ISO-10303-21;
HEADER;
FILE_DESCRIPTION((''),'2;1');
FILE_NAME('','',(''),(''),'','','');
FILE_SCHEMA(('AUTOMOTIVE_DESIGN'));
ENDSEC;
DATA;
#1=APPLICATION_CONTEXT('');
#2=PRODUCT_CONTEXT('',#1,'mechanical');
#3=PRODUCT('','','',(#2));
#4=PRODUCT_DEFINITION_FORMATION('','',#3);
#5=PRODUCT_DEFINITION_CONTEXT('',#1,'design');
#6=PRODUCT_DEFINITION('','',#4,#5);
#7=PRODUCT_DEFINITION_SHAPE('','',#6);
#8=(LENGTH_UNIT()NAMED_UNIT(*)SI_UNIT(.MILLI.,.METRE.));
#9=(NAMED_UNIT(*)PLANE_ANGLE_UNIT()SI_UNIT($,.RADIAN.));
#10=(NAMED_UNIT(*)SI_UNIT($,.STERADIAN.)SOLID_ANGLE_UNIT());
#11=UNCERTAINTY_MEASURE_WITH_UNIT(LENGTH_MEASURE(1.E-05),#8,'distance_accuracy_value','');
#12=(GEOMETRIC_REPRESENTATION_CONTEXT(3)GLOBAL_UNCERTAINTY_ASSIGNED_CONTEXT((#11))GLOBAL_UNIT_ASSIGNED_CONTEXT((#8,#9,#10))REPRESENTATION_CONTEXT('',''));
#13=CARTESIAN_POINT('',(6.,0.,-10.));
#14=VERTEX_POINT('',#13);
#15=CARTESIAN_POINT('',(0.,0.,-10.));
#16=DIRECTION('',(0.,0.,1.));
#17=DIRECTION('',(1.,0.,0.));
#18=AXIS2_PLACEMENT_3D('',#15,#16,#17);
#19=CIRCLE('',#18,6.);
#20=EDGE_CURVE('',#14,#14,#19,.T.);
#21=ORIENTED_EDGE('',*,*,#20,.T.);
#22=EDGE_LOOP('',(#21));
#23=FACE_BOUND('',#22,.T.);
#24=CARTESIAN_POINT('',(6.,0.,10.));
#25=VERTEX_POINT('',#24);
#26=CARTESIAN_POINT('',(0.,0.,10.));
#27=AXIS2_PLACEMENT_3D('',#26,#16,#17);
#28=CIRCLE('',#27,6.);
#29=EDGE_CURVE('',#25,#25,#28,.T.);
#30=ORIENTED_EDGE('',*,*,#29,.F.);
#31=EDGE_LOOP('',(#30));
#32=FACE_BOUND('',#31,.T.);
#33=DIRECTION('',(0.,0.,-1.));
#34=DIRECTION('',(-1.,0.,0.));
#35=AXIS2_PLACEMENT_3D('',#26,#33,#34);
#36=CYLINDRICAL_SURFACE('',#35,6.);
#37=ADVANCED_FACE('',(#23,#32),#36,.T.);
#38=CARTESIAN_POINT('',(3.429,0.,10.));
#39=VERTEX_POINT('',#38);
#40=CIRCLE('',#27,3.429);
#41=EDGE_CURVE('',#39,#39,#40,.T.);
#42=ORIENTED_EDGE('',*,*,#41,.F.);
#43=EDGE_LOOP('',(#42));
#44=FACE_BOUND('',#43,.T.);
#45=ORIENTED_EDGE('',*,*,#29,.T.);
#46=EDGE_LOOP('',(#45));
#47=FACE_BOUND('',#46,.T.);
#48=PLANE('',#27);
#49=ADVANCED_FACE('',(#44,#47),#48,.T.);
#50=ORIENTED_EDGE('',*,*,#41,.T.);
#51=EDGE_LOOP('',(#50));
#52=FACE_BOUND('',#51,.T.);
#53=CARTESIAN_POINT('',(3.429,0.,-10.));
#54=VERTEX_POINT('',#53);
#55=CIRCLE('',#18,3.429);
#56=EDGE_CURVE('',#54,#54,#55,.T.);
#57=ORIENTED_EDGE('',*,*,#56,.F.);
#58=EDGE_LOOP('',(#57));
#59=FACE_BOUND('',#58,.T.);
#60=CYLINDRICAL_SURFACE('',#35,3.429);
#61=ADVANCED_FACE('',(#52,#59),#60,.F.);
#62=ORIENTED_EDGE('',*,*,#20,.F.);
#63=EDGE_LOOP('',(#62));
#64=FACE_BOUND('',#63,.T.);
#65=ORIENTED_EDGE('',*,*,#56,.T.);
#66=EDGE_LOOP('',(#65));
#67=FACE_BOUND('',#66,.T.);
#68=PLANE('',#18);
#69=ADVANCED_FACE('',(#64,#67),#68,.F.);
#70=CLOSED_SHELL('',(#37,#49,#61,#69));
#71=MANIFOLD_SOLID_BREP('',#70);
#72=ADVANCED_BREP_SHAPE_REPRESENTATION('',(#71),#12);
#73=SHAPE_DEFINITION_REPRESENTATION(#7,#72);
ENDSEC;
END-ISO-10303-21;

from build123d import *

# Parameters (mm, degrees)
SKETCH1_R           = 6
SKETCH1_R_2         = 3.429
BOSS_EXTRUDE1_DEPTH = 10


with BuildPart() as part:
    # Sketch1 → Boss-Extrude1 (new, symmetric)
    with BuildSketch(Plane.XY):
        Circle(SKETCH1_R)
        Circle(SKETCH1_R_2, mode=Mode.SUBTRACT)
    extrude(amount=BOSS_EXTRUDE1_DEPTH, both=True)


solid = part.part
